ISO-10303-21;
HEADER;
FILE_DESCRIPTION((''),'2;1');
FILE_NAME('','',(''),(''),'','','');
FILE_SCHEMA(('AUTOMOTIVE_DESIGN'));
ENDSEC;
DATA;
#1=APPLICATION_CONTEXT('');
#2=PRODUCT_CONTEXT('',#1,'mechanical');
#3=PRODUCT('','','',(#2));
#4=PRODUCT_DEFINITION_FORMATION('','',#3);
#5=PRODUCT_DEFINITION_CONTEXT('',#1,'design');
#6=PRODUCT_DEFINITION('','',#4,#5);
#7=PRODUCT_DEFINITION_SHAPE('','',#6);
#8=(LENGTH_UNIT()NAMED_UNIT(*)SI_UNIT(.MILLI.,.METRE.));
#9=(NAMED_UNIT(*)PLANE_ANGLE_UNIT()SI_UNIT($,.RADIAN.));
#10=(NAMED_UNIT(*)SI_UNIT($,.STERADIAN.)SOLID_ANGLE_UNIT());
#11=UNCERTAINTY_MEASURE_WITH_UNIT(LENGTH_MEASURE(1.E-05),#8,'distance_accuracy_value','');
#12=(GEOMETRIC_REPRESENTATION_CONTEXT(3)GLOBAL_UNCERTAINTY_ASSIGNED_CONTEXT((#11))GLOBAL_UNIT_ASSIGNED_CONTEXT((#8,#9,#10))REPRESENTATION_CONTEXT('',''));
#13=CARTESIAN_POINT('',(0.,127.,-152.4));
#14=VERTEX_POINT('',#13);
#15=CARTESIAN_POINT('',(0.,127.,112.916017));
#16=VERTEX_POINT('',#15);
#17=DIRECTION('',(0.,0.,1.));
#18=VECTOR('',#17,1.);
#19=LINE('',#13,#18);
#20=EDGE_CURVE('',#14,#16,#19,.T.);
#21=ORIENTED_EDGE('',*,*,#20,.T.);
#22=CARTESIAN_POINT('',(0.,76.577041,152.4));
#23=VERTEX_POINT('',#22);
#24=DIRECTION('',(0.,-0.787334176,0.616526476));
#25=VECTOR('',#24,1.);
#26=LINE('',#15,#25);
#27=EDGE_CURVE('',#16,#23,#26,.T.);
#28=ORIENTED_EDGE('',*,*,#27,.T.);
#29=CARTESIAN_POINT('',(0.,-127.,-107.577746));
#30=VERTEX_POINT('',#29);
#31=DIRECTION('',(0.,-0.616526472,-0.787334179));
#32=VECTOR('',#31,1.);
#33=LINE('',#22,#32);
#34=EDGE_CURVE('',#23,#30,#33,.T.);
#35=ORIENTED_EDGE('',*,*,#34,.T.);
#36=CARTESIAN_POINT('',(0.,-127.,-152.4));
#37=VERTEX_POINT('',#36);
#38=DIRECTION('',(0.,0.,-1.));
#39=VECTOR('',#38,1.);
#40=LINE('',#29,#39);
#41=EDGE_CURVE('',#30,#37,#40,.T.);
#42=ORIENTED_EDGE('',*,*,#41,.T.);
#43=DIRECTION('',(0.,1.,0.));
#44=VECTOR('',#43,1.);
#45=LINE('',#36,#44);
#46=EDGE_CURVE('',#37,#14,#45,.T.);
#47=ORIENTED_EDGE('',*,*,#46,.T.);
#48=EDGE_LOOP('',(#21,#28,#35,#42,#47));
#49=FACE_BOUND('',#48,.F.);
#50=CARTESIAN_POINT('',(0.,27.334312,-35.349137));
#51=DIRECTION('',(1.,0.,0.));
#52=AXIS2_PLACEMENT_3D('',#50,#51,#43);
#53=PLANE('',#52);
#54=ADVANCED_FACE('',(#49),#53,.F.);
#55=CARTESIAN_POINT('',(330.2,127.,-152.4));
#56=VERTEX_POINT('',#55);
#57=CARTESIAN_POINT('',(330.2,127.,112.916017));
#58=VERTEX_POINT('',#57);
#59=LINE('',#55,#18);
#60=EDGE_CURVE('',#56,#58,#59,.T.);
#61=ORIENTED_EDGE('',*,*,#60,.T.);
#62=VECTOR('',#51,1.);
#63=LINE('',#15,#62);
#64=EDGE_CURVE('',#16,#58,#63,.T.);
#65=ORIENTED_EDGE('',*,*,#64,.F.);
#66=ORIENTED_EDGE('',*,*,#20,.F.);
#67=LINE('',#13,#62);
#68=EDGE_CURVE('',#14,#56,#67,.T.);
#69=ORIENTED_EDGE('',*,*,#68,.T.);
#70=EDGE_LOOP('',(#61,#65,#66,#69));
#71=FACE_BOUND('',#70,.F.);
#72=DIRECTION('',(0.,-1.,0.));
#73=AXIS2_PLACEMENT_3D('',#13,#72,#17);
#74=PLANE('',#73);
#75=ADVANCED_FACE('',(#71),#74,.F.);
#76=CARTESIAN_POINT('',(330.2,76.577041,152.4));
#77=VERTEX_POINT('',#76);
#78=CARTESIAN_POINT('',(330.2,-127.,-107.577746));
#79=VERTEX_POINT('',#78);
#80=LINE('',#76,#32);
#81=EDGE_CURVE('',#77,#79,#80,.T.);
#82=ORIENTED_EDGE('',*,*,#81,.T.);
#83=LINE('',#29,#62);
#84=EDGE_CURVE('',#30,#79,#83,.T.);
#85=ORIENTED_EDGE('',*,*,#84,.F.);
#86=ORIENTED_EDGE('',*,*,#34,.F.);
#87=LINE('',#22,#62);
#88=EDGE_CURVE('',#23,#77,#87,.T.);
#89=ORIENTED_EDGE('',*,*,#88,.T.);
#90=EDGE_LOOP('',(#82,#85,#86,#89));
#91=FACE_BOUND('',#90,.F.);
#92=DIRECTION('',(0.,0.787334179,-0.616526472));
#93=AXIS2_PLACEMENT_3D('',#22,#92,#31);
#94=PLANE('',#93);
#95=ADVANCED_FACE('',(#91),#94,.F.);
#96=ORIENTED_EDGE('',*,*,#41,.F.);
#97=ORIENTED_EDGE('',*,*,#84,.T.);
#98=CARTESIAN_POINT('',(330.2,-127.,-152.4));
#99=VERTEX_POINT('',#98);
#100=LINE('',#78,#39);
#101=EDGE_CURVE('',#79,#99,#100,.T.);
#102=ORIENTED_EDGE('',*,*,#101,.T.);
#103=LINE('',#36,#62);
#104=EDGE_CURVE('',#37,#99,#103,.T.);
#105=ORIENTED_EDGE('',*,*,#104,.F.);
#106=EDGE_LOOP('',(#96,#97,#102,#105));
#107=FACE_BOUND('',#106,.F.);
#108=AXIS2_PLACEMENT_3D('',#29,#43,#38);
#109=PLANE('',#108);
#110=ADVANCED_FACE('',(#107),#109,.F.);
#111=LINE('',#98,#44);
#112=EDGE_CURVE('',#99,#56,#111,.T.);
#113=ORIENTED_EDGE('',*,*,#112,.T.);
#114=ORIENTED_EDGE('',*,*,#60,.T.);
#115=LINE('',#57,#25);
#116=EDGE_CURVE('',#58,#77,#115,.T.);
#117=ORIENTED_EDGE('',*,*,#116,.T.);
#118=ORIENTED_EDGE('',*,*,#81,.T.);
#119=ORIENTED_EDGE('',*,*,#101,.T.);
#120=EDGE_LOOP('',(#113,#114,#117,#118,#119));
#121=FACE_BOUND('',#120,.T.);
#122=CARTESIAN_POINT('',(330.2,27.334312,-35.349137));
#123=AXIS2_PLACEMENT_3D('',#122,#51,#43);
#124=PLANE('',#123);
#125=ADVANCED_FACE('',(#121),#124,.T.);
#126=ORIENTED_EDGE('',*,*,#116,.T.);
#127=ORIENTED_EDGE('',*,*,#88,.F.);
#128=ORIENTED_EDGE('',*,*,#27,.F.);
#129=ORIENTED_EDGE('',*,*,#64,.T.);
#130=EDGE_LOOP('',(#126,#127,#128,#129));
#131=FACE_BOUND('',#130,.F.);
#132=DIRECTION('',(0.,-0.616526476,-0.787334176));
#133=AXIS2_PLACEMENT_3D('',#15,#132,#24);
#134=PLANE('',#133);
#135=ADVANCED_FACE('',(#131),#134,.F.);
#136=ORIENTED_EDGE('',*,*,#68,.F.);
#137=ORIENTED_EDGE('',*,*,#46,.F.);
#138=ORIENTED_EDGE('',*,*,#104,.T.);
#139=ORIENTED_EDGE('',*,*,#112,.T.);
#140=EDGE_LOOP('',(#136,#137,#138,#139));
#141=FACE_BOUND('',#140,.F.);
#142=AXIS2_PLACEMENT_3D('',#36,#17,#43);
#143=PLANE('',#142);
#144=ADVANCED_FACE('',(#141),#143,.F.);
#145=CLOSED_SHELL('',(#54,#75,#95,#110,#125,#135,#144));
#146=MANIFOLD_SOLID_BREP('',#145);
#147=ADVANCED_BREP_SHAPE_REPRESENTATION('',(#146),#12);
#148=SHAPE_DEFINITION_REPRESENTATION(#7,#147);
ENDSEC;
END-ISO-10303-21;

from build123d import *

# Parameters (mm, degrees)
F2_DEPTH = 330.2


with BuildPart() as f2:
    # F1 (on face) → F2 (new body)
    with BuildSketch(Plane.YZ):
        Polygon((76.577041, 152.4), (-127, -107.577746), (-127, -152.4), (127, -152.4), (127, 112.916017), align=None)
    extrude(amount=F2_DEPTH)


solid = f2.part
